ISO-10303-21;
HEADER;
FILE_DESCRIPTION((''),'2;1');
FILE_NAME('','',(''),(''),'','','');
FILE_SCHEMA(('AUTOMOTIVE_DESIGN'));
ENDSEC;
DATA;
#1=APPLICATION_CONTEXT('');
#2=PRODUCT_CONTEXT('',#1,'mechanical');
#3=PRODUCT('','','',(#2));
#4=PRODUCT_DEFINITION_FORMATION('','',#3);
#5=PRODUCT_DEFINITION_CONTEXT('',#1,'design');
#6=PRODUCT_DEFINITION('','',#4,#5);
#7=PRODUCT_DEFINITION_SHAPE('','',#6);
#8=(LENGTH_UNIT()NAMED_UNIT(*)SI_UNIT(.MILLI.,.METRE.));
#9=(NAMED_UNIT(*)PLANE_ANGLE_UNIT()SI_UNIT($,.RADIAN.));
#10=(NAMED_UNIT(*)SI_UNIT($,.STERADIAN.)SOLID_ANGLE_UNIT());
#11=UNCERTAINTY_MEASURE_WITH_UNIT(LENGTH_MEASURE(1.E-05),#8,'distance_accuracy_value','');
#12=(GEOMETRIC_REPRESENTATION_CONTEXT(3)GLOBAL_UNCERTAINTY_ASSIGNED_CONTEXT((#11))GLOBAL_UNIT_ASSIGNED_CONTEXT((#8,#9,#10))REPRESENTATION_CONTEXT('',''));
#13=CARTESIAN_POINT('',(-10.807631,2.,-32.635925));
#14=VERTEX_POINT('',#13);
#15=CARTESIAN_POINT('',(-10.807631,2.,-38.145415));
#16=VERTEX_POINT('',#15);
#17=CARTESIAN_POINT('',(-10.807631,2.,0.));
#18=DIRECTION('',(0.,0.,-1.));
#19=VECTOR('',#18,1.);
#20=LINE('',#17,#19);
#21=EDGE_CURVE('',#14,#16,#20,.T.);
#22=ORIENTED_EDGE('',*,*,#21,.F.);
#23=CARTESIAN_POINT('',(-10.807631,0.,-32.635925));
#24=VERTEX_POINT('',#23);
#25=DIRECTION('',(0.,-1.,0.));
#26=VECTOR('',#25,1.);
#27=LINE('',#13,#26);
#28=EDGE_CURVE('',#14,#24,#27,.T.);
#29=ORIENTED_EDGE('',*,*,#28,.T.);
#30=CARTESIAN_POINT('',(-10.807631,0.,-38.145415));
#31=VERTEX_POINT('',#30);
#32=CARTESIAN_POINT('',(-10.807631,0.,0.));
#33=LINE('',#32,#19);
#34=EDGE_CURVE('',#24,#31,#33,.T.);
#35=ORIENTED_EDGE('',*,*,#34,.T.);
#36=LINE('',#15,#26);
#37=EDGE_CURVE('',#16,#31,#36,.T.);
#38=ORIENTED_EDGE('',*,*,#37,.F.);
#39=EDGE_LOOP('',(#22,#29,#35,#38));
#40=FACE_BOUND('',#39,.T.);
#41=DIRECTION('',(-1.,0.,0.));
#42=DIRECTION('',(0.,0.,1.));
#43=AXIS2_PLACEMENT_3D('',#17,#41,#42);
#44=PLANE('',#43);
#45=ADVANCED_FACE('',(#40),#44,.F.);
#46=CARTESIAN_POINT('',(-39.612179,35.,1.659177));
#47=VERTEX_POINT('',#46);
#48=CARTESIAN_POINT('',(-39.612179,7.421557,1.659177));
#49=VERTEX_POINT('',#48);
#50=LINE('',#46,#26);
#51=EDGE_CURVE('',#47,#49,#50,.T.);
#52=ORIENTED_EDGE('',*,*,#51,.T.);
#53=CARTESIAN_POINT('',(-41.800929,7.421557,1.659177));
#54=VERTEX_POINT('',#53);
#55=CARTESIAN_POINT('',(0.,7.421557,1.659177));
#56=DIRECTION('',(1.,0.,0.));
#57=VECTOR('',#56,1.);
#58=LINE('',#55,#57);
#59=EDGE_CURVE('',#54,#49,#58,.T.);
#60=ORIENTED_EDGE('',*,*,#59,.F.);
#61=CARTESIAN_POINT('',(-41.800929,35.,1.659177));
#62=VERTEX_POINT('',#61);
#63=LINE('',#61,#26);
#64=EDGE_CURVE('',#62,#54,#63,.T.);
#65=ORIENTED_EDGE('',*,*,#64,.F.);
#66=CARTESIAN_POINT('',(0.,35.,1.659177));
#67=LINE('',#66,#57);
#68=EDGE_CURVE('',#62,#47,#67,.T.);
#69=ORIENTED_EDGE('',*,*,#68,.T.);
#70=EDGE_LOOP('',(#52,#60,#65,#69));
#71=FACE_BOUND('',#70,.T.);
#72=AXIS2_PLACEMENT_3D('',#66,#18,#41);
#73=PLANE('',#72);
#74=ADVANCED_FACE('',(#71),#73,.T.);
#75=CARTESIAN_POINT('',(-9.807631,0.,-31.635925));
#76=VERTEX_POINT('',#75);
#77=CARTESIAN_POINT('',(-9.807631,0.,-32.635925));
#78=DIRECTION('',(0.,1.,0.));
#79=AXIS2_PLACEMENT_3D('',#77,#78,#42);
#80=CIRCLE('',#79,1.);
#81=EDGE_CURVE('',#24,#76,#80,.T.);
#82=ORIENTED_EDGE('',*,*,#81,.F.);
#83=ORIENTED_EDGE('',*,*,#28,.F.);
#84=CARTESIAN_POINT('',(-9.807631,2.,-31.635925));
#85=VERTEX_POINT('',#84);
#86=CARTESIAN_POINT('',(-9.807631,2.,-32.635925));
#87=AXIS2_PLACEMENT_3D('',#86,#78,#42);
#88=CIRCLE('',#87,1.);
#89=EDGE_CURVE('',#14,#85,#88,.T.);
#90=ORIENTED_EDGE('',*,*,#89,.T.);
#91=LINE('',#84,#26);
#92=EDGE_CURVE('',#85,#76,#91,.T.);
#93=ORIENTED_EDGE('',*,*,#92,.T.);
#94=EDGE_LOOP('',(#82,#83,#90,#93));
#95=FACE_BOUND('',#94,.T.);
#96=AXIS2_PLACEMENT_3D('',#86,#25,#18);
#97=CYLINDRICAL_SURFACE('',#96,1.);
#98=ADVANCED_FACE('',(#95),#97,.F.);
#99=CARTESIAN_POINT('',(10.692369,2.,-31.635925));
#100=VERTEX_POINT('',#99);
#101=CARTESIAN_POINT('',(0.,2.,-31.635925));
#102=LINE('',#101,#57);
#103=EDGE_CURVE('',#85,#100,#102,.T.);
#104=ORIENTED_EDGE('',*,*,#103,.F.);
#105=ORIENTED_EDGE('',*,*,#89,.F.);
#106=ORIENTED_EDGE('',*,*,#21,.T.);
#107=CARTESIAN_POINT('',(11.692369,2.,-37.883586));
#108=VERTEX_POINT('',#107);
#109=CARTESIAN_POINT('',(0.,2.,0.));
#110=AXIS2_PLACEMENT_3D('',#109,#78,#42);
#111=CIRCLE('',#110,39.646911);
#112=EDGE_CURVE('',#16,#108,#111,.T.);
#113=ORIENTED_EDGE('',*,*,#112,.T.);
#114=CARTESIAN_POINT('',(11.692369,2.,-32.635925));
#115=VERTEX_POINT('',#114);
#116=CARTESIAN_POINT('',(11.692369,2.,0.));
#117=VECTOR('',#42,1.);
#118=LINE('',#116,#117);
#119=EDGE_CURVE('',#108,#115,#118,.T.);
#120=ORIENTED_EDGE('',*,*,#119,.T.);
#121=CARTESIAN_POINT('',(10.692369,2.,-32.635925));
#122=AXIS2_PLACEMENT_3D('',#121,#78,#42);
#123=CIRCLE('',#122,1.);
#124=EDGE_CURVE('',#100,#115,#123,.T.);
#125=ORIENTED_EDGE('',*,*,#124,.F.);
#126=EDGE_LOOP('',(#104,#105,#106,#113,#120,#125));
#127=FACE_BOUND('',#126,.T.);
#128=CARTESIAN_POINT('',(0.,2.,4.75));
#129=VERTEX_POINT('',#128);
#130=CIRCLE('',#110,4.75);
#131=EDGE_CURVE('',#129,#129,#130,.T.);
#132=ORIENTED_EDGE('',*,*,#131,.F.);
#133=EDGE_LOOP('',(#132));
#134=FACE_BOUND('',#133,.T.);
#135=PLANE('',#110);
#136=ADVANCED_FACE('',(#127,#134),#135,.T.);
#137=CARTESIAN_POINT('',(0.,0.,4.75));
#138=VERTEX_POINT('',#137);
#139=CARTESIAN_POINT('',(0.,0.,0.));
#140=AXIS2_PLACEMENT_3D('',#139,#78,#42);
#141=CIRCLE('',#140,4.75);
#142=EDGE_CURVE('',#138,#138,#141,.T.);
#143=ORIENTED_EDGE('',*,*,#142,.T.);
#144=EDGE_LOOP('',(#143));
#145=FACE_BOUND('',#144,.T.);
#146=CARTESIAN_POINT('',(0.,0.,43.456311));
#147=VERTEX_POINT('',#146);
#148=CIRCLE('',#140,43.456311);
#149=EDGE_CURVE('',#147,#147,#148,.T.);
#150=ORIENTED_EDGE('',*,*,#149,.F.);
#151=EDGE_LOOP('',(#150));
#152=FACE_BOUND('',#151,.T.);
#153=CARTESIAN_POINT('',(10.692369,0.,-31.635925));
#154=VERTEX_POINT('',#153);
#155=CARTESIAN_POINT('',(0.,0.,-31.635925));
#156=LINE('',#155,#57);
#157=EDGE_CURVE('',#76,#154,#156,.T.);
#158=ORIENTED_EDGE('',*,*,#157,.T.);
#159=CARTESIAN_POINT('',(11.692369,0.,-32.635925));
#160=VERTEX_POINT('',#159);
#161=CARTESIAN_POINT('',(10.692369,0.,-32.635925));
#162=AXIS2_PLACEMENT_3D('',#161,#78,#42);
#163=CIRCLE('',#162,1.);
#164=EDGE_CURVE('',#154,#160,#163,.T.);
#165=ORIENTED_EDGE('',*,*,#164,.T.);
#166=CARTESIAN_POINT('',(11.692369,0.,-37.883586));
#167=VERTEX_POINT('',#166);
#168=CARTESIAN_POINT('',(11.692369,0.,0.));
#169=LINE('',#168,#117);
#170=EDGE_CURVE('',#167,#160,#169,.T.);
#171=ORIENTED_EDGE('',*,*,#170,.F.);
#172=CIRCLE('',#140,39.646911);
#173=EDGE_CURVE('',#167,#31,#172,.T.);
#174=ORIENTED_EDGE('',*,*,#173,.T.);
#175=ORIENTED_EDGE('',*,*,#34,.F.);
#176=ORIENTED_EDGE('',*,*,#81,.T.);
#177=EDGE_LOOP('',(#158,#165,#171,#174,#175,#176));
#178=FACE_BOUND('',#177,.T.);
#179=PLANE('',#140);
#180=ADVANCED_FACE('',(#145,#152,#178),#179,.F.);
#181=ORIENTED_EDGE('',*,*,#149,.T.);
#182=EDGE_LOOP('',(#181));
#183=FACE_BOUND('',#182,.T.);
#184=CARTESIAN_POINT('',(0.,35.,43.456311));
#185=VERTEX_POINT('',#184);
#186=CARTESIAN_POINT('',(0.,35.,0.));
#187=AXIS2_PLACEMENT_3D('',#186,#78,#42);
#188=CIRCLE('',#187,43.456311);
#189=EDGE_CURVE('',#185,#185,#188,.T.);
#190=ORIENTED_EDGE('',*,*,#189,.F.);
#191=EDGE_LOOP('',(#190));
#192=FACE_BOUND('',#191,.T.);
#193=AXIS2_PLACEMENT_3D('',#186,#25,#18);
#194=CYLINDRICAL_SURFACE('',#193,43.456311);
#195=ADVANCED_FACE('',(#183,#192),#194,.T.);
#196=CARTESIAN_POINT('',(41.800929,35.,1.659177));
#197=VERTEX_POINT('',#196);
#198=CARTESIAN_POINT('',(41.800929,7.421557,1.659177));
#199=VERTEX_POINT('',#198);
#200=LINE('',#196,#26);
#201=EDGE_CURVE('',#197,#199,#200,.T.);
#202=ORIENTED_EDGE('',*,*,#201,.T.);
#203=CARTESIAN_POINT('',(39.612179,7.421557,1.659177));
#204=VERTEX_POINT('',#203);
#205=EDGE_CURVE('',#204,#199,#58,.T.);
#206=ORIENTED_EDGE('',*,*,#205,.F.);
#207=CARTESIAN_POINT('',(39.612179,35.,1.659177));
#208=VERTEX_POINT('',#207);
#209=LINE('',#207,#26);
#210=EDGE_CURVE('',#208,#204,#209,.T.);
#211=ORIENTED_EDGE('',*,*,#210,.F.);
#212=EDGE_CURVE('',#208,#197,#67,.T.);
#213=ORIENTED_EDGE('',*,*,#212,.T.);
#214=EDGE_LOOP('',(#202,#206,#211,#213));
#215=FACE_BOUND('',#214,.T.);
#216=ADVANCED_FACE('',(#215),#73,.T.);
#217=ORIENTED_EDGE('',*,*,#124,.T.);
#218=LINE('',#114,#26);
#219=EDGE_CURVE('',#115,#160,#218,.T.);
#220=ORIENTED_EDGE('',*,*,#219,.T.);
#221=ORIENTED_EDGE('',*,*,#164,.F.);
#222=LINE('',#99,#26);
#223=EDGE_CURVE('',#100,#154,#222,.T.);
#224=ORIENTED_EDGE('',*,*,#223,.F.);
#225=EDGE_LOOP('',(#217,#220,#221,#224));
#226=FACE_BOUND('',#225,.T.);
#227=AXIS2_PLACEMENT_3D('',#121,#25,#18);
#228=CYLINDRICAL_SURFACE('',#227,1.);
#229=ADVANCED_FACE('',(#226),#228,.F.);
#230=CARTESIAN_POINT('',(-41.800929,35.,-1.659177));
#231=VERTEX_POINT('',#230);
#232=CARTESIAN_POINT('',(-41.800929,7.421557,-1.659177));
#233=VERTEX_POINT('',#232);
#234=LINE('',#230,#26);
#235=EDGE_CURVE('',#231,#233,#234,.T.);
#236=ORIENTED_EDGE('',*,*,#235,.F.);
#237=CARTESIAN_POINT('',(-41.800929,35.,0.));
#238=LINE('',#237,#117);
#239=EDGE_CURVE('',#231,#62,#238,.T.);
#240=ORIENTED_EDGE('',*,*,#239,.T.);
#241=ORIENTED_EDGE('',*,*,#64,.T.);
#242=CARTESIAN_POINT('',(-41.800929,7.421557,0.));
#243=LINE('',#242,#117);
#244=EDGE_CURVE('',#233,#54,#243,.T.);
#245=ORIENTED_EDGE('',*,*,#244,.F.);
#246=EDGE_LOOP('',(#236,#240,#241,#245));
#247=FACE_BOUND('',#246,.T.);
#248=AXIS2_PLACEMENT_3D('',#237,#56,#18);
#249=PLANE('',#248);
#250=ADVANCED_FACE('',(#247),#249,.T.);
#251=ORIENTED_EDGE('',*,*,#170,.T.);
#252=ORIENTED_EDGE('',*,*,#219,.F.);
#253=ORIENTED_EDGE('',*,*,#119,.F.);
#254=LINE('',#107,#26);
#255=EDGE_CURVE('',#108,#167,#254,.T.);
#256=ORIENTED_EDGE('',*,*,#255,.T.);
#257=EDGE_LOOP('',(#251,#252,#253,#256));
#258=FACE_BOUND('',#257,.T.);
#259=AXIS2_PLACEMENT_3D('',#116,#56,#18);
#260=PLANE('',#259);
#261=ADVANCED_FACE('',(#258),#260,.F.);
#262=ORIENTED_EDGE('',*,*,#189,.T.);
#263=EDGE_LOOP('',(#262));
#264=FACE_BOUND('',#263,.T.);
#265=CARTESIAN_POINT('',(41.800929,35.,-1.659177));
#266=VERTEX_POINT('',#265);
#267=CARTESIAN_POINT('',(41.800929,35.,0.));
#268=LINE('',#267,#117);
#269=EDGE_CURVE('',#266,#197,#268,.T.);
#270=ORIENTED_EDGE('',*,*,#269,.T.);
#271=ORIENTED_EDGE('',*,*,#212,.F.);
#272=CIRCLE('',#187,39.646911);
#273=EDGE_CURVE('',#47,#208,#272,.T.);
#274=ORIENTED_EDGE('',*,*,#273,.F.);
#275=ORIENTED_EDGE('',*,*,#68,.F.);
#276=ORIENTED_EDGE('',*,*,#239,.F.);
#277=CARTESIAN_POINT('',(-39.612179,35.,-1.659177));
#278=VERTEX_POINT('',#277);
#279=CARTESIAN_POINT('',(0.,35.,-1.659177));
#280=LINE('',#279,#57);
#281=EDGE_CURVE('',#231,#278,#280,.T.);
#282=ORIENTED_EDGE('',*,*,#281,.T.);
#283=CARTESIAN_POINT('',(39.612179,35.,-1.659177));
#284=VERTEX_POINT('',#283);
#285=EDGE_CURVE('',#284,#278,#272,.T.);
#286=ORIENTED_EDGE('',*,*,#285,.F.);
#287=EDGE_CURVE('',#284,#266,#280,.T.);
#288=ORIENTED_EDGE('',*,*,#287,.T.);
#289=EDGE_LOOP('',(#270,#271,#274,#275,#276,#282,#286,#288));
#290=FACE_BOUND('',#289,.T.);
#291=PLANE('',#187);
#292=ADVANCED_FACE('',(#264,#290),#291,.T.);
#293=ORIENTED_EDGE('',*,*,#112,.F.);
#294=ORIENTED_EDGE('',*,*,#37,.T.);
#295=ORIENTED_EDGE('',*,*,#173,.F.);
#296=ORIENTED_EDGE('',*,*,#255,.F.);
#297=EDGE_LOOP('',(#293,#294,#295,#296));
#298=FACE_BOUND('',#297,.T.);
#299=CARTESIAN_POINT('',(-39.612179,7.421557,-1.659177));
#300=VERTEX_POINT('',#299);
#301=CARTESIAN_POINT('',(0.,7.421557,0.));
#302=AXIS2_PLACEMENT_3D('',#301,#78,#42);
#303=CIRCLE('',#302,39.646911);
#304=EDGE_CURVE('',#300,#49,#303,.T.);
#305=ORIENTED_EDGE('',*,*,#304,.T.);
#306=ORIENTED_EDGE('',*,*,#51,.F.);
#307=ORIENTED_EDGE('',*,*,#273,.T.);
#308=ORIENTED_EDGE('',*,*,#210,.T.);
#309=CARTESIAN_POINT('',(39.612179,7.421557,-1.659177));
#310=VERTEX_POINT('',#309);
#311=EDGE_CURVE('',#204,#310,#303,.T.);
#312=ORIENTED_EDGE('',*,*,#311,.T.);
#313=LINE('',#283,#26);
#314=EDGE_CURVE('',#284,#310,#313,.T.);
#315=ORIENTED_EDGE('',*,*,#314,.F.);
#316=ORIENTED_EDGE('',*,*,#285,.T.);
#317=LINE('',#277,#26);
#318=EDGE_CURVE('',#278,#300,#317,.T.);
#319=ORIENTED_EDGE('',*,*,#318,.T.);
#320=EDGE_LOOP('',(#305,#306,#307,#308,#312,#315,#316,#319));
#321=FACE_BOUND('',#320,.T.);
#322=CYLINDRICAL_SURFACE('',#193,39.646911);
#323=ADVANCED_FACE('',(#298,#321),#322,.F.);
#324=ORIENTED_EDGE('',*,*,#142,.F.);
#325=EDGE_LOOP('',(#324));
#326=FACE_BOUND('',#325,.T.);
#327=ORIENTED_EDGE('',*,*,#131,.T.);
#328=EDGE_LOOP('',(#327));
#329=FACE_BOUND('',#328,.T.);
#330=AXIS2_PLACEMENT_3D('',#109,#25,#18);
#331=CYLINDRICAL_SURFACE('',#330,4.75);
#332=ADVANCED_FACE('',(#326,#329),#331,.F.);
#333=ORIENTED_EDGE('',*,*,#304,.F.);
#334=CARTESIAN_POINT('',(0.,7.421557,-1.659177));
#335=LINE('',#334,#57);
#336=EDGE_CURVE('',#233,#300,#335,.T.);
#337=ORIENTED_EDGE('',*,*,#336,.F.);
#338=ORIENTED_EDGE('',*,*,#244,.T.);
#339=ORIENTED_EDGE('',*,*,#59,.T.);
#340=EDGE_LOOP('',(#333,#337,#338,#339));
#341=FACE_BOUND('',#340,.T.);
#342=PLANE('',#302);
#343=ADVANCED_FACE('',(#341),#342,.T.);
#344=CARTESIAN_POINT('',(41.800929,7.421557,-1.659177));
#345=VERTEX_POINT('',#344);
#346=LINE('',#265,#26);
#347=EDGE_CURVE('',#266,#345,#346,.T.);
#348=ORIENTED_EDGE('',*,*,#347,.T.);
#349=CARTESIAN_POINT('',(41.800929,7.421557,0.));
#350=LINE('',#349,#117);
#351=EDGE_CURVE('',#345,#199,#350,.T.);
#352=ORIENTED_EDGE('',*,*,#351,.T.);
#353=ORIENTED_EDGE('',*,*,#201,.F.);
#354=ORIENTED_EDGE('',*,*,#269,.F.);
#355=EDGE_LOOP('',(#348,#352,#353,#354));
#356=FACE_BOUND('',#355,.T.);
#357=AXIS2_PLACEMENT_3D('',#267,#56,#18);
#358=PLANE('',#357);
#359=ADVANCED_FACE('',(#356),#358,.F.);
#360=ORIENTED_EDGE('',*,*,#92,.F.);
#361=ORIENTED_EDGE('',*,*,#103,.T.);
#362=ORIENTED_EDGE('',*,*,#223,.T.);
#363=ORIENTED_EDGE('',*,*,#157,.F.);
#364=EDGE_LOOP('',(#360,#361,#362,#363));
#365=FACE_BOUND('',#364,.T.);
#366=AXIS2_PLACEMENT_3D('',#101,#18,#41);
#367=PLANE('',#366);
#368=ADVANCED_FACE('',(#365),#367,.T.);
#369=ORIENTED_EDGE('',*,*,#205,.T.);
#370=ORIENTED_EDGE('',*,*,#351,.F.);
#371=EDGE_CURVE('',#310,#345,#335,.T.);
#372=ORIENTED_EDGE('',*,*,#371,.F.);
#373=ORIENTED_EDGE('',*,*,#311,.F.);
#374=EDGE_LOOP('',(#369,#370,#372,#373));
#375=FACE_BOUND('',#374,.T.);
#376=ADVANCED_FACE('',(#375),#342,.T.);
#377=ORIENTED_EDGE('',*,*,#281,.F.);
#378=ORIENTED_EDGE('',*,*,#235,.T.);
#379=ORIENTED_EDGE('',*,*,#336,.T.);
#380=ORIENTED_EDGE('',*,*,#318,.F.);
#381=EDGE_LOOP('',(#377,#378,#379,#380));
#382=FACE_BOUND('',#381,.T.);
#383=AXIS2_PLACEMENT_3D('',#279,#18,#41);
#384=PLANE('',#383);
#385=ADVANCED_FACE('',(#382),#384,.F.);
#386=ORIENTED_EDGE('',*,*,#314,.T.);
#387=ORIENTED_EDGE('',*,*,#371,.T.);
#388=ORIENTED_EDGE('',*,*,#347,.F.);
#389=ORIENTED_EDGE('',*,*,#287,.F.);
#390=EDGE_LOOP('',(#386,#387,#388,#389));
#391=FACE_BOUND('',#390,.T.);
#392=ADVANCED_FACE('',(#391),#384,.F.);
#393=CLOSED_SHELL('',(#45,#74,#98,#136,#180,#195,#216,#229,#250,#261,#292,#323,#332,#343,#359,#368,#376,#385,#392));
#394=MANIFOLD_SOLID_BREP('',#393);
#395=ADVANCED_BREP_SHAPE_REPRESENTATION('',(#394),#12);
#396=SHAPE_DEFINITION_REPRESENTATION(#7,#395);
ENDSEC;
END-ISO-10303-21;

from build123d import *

# Parameters (mm, degrees)
SKETCH1_R            = 43.456311094
BOSS_EXTRUDE10_DEPTH = 35
BOSS_EXTRUDE18_DEPTH = 7.421557236
SKETCH1_18_R         = 4.75
BOSS_EXTRUDE19_DEPTH = 2


with BuildPart() as part:
    # Sketch1 → Boss-Extrude10 (new body)
    with BuildSketch(Plane(origin=(0, 0, 0), x_dir=(1, 0, 0), z_dir=(0, 1, 0))):
        Circle(SKETCH1_R)
        with BuildLine():
            ThreePointArc((-10.807631289, 38.145414948), (0.461333582, 39.644227158), (11.692368711, 37.883586018))
            ThreePointArc((11.692368711, 37.883586018), (31.402087475, 24.203026213), (39.612178769, 1.659177136))
            Line((39.612178769, 1.659177136), (41.800929267, 1.659177136))
            Line((41.800929267, 1.659177136), (41.800929267, -1.659177136))
            Line((41.800929267, -1.659177136), (39.612178769, -1.659177136))
            ThreePointArc((39.612178769, -1.659177136), (0, -39.6469113), (-39.612178769, -1.659177136))
            Line((-39.612178769, -1.659177136), (-41.800929267, -1.659177136))
            Line((-41.800929267, -1.659177136), (-41.800929267, 1.659177136))
            Line((-41.800929267, 1.659177136), (-39.612178769, 1.659177136))
            ThreePointArc((-39.612178769, 1.659177136), (-31.118333808, 24.566784011), (-10.807631289, 38.145414948))
        make_face(mode=Mode.SUBTRACT)
    extrude(amount=BOSS_EXTRUDE10_DEPTH)

    # Sketch1<17> → Boss-Extrude18 (add)
    with BuildSketch(Plane(origin=(0, 0, 0), x_dir=(1, 0, 0), z_dir=(0, 1, 0))):
        with BuildLine():
            Line((41.800929267, 1.659177136), (39.612178769, 1.659177136))
            ThreePointArc((39.612178769, 1.659177136), (39.6469113, 0), (39.612178769, -1.659177136))
            Line((39.612178769, -1.659177136), (41.800929267, -1.659177136))
            Line((41.800929267, -1.659177136), (41.800929267, 1.659177136))
        make_face()
        with BuildLine():
            ThreePointArc((-39.612178769, -1.659177136), (-39.6469113, 0), (-39.612178769, 1.659177136))
            Line((-39.612178769, 1.659177136), (-41.800929267, 1.659177136))
            Line((-41.800929267, 1.659177136), (-41.800929267, -1.659177136))
            Line((-41.800929267, -1.659177136), (-39.612178769, -1.659177136))
        make_face()
    extrude(amount=BOSS_EXTRUDE18_DEPTH)

    # Sketch1<18> → Boss-Extrude19 (add)
    with BuildSketch(Plane(origin=(0, 0, 0), x_dir=(1, 0, 0), z_dir=(0, 1, 0))):
        with BuildLine():
            Line((11.692368711, 37.883586018), (11.692368711, 32.635924628))
            ThreePointArc((11.692368711, 32.635924628), (11.399475492, 31.928817847), (10.692368711, 31.635924628))
            Line((10.692368711, 31.635924628), (-9.807631289, 31.635924628))
            ThreePointArc((-9.807631289, 31.635924628), (-10.51473807, 31.928817847), (-10.807631289, 32.635924628))
            Line((-10.807631289, 32.635924628), (-10.807631289, 38.145414948))
            ThreePointArc((-10.807631289, 38.145414948), (-0.461333582, -39.644227158), (11.692368711, 37.883586018))
        make_face()
        Circle(SKETCH1_18_R, mode=Mode.SUBTRACT)
    extrude(amount=BOSS_EXTRUDE19_DEPTH)


solid = part.part
